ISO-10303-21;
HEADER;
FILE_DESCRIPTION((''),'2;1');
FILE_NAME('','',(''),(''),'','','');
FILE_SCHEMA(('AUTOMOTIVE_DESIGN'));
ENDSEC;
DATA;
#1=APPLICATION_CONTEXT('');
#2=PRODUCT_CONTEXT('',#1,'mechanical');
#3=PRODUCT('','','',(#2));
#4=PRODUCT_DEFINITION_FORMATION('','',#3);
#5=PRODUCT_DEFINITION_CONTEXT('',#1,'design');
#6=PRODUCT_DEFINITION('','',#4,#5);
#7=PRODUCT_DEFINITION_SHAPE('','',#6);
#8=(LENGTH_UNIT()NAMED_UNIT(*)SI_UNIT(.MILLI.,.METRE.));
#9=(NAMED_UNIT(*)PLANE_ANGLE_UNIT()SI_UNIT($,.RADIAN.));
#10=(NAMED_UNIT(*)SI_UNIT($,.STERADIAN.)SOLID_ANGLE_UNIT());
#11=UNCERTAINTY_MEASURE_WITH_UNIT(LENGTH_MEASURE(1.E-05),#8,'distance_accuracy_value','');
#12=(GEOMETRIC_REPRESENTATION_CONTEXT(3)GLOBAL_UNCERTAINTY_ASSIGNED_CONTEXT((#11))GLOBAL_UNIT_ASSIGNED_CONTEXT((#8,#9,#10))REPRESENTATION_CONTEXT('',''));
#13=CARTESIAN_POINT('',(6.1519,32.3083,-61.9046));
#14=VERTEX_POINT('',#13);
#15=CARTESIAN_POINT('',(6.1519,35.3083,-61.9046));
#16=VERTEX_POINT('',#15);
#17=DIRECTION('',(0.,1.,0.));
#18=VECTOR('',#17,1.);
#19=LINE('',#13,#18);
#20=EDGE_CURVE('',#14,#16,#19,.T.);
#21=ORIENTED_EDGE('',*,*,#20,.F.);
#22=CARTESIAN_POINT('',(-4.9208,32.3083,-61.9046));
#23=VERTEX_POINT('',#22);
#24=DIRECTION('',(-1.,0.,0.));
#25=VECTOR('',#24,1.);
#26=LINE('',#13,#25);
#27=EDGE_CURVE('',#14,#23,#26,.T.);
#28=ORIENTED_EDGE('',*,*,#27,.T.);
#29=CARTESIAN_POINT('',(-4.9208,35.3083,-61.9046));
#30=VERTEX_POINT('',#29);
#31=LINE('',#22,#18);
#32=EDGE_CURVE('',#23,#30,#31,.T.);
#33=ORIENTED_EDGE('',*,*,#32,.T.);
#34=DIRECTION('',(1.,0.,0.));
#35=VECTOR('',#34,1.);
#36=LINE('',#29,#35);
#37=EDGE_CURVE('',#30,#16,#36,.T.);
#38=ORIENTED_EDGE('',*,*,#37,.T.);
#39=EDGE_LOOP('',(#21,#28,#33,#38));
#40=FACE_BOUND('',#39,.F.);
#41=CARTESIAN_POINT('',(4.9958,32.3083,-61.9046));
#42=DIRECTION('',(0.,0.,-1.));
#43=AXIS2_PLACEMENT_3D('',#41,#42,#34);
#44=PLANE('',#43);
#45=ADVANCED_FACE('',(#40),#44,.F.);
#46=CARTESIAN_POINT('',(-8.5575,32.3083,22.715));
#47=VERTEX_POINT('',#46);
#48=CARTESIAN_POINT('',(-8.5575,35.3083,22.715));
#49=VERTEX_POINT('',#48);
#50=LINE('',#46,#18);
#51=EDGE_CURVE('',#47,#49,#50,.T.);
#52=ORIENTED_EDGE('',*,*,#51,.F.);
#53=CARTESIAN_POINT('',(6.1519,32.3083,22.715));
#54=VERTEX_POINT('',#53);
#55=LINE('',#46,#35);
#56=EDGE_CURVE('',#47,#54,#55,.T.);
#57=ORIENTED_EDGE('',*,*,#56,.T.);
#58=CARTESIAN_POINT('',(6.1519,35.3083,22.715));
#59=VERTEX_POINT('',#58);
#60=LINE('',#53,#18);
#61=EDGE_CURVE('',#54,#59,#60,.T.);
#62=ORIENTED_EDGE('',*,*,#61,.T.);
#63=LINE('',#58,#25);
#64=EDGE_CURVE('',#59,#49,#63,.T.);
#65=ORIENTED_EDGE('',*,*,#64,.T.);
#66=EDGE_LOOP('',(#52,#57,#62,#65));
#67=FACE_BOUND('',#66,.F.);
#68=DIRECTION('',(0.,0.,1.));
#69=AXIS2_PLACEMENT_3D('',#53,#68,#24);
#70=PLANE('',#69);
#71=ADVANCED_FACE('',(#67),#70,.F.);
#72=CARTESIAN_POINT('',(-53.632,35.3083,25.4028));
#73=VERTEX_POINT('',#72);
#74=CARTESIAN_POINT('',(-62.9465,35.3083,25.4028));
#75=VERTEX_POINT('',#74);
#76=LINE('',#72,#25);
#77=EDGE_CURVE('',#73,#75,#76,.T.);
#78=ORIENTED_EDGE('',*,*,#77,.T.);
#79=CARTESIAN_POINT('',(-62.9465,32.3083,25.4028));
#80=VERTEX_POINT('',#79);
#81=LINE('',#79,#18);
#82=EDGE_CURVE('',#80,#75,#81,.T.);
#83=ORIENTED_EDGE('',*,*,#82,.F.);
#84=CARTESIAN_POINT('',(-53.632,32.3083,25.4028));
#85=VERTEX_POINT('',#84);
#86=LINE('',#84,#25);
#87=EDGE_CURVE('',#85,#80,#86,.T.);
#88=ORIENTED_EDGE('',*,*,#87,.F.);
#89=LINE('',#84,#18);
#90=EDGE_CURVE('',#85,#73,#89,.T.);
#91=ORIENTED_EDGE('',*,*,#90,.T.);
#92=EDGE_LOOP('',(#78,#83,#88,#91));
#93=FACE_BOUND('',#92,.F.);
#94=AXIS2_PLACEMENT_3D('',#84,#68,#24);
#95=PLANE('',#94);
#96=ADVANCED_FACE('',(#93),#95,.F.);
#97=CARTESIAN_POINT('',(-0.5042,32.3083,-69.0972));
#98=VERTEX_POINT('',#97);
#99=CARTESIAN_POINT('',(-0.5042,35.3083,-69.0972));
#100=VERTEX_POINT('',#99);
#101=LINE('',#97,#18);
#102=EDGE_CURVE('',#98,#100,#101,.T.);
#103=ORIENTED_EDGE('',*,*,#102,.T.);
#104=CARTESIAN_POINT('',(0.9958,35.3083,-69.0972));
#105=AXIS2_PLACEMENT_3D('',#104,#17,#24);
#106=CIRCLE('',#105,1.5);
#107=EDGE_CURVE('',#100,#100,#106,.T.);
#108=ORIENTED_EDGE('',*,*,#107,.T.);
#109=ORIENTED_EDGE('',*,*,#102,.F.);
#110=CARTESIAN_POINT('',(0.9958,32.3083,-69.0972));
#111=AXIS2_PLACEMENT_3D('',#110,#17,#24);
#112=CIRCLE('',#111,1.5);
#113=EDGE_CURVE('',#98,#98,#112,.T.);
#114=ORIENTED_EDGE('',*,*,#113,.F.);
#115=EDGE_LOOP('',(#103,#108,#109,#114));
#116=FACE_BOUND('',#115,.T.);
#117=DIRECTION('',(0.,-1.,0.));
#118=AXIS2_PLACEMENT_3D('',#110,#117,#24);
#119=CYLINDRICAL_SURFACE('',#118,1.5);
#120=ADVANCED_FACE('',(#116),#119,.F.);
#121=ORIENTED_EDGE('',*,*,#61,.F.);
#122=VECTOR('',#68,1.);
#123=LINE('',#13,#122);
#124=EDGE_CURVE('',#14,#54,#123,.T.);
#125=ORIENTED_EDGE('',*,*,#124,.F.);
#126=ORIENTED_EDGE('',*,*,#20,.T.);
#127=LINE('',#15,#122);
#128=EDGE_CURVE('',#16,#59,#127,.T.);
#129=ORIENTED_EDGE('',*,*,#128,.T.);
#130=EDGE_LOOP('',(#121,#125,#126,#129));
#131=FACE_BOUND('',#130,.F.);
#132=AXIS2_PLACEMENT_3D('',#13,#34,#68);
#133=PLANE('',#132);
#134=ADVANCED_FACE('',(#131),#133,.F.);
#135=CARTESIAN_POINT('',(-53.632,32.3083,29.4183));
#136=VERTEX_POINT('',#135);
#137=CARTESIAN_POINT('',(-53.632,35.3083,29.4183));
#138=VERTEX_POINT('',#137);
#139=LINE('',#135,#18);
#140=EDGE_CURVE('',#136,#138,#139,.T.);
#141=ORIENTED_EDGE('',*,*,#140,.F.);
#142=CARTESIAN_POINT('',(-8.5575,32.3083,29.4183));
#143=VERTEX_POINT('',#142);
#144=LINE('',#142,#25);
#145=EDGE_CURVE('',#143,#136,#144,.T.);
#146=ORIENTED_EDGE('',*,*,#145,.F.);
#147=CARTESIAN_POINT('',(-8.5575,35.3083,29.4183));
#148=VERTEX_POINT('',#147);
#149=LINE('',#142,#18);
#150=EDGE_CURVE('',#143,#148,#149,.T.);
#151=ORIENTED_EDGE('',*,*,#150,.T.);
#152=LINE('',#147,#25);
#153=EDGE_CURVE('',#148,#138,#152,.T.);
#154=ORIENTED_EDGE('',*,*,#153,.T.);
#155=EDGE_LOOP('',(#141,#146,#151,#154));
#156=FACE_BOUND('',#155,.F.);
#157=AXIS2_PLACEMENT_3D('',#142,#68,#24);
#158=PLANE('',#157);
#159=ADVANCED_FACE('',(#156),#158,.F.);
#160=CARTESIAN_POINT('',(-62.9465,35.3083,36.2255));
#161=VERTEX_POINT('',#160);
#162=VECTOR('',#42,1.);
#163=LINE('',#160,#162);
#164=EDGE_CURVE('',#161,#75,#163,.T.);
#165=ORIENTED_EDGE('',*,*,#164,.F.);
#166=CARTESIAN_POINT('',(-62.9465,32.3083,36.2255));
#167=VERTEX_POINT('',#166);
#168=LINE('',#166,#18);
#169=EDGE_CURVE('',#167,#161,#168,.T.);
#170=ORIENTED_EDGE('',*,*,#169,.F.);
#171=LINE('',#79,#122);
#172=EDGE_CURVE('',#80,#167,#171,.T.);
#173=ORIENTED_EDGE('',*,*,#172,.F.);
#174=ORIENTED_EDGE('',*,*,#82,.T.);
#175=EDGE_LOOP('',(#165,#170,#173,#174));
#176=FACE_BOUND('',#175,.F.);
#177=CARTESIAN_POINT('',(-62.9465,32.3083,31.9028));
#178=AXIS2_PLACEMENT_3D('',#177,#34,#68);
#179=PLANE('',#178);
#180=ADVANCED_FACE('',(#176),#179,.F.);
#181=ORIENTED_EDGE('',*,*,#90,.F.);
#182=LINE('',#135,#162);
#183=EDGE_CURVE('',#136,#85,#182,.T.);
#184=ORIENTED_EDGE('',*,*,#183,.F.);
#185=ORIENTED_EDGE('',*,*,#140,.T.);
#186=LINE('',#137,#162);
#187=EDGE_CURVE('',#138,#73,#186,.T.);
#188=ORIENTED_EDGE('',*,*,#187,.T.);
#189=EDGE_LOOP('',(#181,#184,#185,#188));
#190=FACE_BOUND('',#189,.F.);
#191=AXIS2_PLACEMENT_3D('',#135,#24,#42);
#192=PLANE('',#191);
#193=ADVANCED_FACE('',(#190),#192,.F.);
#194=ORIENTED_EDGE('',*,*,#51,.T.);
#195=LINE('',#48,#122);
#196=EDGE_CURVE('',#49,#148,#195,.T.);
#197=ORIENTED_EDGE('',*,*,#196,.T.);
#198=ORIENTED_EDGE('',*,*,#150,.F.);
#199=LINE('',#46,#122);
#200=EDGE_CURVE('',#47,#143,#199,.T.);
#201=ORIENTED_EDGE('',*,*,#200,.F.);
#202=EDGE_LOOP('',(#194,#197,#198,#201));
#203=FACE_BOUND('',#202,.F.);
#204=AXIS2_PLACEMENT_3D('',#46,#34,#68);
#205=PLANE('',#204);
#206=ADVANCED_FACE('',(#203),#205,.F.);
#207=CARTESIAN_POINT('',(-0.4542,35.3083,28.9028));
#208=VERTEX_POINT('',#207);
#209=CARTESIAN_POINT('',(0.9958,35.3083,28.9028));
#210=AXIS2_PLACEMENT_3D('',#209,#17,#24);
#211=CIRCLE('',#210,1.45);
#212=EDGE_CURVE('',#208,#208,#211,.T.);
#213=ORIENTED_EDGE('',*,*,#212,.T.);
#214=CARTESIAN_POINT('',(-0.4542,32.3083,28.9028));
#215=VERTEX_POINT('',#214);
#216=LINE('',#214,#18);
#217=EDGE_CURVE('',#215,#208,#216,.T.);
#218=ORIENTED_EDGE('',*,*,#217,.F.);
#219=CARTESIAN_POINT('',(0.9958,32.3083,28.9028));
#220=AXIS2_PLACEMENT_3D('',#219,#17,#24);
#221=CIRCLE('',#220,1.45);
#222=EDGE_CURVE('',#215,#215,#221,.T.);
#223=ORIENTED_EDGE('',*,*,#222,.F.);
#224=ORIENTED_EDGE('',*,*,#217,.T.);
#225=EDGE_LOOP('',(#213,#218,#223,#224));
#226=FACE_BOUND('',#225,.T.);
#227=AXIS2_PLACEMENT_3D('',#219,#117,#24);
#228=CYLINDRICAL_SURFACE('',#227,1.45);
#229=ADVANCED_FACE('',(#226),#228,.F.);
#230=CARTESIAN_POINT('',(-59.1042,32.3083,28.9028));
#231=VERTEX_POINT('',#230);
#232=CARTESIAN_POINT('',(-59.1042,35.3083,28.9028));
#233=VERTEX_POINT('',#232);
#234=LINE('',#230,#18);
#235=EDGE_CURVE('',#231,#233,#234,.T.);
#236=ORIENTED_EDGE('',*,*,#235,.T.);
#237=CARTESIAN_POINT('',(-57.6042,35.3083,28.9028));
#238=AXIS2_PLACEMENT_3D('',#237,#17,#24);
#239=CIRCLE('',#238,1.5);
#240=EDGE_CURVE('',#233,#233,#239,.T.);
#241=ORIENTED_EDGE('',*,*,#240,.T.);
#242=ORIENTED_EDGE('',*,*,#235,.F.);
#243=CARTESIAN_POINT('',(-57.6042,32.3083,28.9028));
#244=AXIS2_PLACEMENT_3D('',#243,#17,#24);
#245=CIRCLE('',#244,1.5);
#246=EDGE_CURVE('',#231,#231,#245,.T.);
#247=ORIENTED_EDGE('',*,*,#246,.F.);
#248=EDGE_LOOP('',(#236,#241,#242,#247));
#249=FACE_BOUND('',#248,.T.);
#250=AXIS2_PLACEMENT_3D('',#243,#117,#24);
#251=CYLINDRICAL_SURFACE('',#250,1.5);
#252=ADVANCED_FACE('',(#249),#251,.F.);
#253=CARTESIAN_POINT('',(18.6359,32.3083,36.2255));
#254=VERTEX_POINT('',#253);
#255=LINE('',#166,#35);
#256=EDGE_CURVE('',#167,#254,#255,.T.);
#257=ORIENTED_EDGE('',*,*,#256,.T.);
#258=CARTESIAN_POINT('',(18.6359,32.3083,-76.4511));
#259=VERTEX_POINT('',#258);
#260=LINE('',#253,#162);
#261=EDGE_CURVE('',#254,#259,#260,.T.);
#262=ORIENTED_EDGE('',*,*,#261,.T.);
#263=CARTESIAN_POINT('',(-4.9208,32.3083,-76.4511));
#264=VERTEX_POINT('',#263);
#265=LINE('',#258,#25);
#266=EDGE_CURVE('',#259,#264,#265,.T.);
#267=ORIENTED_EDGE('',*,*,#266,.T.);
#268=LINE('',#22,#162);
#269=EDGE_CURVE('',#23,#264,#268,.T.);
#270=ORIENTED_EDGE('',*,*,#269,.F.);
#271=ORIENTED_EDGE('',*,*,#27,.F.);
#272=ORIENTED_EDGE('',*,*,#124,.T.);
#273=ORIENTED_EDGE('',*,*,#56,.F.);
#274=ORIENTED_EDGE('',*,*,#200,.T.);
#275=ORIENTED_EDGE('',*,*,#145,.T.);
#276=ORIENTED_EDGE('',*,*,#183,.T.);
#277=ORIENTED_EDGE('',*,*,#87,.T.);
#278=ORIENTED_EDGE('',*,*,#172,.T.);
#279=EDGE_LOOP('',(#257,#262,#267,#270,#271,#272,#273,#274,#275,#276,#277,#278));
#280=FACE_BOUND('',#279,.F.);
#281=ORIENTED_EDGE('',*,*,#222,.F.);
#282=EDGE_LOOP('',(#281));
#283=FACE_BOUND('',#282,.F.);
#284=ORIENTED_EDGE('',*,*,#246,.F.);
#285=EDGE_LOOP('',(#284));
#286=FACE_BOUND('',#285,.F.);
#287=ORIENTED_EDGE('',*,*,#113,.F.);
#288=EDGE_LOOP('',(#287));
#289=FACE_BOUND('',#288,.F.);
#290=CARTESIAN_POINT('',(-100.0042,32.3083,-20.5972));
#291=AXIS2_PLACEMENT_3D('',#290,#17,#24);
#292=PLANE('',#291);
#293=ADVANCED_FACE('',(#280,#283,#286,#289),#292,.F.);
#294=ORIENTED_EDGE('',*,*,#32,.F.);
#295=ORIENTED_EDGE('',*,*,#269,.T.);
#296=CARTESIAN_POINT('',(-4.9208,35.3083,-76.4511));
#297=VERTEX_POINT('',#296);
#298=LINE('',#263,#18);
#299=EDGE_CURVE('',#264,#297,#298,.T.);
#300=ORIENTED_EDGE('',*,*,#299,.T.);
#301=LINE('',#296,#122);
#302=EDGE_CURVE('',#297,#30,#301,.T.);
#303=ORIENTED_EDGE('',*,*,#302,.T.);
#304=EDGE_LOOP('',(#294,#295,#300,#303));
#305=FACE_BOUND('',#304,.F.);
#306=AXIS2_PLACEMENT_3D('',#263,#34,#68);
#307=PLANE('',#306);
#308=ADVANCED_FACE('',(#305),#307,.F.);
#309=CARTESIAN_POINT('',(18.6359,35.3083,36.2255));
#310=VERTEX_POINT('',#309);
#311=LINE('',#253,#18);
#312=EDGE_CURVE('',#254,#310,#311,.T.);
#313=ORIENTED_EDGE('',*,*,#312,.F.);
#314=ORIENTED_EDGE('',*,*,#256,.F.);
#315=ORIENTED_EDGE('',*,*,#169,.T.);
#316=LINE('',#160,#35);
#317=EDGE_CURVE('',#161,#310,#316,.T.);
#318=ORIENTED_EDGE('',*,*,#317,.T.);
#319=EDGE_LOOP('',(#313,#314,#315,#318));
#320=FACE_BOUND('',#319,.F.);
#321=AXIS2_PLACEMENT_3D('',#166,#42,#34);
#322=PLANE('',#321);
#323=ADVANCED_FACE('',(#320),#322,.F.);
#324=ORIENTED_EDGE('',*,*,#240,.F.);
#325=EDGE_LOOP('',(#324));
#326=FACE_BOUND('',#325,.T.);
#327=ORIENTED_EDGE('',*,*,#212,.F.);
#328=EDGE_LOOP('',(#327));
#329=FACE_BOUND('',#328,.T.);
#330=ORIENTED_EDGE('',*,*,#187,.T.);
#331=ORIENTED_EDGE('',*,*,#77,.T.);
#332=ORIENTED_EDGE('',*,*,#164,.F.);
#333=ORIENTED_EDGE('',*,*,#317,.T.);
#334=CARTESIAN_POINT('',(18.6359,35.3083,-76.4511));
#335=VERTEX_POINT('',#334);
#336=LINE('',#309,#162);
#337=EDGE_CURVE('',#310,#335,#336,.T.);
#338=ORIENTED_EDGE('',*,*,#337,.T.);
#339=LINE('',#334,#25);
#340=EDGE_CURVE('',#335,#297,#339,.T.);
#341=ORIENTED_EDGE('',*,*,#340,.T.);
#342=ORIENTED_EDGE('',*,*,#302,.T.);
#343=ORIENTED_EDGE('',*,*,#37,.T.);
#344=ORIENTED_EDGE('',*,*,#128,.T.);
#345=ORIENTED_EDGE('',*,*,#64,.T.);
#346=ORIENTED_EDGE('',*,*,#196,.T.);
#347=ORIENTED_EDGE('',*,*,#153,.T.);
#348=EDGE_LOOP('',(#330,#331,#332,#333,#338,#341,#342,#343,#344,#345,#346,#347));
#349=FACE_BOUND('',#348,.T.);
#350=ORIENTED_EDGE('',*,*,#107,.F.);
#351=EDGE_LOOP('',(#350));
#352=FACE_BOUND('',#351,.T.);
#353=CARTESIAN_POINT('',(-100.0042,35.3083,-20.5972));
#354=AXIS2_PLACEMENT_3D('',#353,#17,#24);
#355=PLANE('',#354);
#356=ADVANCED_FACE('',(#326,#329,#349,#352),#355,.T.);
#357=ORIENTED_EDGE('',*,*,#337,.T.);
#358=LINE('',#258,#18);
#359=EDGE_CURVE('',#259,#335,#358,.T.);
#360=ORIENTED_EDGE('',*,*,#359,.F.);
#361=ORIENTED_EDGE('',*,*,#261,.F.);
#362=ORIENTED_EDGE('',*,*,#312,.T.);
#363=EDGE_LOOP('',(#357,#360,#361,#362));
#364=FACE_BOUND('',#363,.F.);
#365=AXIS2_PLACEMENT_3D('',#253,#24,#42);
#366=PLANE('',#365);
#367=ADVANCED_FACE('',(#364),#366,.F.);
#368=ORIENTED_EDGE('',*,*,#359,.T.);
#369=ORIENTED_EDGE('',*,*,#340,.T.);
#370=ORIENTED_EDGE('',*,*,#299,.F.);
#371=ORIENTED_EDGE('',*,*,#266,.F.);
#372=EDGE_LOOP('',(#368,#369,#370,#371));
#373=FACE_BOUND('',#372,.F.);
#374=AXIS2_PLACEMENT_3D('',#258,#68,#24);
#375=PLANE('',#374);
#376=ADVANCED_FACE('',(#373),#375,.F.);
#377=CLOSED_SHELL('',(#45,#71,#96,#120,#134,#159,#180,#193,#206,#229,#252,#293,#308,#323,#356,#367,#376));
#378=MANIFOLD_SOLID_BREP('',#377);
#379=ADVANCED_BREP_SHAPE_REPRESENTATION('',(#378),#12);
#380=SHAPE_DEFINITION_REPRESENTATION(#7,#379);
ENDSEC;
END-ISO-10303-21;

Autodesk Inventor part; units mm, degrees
ref_plane "YZ Plane" through (0, 0, 0) normal (1, 0, 0) x (0, 1, 0)
ref_plane "XZ Plane" through (0, 0, 0) normal (0, 1, 0) x (-1, 0, 0)
ref_plane "XY Plane" through (0, 0, 0) normal (0, 0, 1) x (1, 0, 0)
ref_plane "Work Plane1" through (-100.0042, 32.3083, -20.5972) normal (0, 1, 0) x (-1, 0, 0)
sketch "Sketch2" plane through (-100.0042, 32.3083, -20.5972) normal (0, 1, 0) x (-1, 0, 0)
  line L0 (-37.0577, 56.8227) -> (-118.6401, 56.8227)
  line L1 (-118.6401, 56.8227) -> (-118.6401, -55.8539)
  line L2 (-118.6401, -55.8539) -> (-95.0834, -55.8539)
  line L3 (-95.0834, -55.8539) -> (-95.0834, -41.3074)
  line L4 (-95.0834, -41.3074) -> (-106.1561, -41.3074)
  line L5 (-106.1561, -41.3074) -> (-106.1561, 43.3122)
  line L6 (-106.1561, 43.3122) -> (-91.4467, 43.3122)
  line L7 (-105, 46) -> (-105, -52.5) projected
  line L8 (-105, -52.5) -> (105, -52.5) projected
  line L9 (105, -52.5) -> (105, 52.5) projected
  line L10 (105, 52.5) -> (-93, 52.5) projected
  line L11 (-93, 52.5) -> (-93, 48) projected
  arc A0 (-95, 46) -> (-93, 48) centre (-95, 48) ccw projected
  line L12 (-95, 46) -> (-105, 46) projected
  circle A1 centre (-101, -48.5) radius 1.5 projected
  circle A2 centre (101, -48.5) radius 2 projected
  circle A3 centre (101, 27.5) radius 2 projected
  circle A4 centre (-42.4, 49.5) radius 1.5 projected
  circle A5 centre (-101, -48.5) radius 1.5 projected
  circle A6 centre (-101, -48.5) radius 1.5 projected
  circle A7 centre (-101, -48.5) radius 1.5 projected
  circle A8 centre (-101, -48.5) radius 1.5 projected
  circle A9 centre (-101, -48.5) radius 1.5 projected
  circle A10 centre (-101, -48.5) radius 1.5 projected
  circle A11 centre (-101, -48.5) radius 1.5 projected
  circle A12 centre (-101, -48.5) radius 1.5 projected
  circle A13 centre (-101, -48.5) radius 1.5 projected
  circle A14 centre (-101, -48.5) radius 1.45
  circle A15 centre (-101, 49.5) radius 1.45
  line L13 (-91.4467, 50.0155) -> (-46.3722, 50.0155)
  line L14 (-46.3722, 50.0155) -> (-46.3722, 46)
  line L15 (-46.3722, 46) -> (-37.0577, 46)
  line L16 (-37.0577, 46) -> (-37.0577, 56.8227)
  line L17 (-91.4467, 43.3122) -> (-91.4467, 50.0155)
  circle A16 centre (-42.4, 49.5) radius 1.5
  point P0 (-100.0042, 20.5972)
  point P1 (-37.0577, 56.8227)
  dimension "d2" = 2.9
extrude "Extrusion1" add sketch "Sketch2" along normal blind 3 contours L16 L10 L11 A0 L12 L7 L6 L5 L4 L8 L3 L2 L1 L0 | L16 L15 L14 L13 L17 L6 L7 L12 A0 L11 L10 | L8 L7 L4 L3
properties part number "strut1"
